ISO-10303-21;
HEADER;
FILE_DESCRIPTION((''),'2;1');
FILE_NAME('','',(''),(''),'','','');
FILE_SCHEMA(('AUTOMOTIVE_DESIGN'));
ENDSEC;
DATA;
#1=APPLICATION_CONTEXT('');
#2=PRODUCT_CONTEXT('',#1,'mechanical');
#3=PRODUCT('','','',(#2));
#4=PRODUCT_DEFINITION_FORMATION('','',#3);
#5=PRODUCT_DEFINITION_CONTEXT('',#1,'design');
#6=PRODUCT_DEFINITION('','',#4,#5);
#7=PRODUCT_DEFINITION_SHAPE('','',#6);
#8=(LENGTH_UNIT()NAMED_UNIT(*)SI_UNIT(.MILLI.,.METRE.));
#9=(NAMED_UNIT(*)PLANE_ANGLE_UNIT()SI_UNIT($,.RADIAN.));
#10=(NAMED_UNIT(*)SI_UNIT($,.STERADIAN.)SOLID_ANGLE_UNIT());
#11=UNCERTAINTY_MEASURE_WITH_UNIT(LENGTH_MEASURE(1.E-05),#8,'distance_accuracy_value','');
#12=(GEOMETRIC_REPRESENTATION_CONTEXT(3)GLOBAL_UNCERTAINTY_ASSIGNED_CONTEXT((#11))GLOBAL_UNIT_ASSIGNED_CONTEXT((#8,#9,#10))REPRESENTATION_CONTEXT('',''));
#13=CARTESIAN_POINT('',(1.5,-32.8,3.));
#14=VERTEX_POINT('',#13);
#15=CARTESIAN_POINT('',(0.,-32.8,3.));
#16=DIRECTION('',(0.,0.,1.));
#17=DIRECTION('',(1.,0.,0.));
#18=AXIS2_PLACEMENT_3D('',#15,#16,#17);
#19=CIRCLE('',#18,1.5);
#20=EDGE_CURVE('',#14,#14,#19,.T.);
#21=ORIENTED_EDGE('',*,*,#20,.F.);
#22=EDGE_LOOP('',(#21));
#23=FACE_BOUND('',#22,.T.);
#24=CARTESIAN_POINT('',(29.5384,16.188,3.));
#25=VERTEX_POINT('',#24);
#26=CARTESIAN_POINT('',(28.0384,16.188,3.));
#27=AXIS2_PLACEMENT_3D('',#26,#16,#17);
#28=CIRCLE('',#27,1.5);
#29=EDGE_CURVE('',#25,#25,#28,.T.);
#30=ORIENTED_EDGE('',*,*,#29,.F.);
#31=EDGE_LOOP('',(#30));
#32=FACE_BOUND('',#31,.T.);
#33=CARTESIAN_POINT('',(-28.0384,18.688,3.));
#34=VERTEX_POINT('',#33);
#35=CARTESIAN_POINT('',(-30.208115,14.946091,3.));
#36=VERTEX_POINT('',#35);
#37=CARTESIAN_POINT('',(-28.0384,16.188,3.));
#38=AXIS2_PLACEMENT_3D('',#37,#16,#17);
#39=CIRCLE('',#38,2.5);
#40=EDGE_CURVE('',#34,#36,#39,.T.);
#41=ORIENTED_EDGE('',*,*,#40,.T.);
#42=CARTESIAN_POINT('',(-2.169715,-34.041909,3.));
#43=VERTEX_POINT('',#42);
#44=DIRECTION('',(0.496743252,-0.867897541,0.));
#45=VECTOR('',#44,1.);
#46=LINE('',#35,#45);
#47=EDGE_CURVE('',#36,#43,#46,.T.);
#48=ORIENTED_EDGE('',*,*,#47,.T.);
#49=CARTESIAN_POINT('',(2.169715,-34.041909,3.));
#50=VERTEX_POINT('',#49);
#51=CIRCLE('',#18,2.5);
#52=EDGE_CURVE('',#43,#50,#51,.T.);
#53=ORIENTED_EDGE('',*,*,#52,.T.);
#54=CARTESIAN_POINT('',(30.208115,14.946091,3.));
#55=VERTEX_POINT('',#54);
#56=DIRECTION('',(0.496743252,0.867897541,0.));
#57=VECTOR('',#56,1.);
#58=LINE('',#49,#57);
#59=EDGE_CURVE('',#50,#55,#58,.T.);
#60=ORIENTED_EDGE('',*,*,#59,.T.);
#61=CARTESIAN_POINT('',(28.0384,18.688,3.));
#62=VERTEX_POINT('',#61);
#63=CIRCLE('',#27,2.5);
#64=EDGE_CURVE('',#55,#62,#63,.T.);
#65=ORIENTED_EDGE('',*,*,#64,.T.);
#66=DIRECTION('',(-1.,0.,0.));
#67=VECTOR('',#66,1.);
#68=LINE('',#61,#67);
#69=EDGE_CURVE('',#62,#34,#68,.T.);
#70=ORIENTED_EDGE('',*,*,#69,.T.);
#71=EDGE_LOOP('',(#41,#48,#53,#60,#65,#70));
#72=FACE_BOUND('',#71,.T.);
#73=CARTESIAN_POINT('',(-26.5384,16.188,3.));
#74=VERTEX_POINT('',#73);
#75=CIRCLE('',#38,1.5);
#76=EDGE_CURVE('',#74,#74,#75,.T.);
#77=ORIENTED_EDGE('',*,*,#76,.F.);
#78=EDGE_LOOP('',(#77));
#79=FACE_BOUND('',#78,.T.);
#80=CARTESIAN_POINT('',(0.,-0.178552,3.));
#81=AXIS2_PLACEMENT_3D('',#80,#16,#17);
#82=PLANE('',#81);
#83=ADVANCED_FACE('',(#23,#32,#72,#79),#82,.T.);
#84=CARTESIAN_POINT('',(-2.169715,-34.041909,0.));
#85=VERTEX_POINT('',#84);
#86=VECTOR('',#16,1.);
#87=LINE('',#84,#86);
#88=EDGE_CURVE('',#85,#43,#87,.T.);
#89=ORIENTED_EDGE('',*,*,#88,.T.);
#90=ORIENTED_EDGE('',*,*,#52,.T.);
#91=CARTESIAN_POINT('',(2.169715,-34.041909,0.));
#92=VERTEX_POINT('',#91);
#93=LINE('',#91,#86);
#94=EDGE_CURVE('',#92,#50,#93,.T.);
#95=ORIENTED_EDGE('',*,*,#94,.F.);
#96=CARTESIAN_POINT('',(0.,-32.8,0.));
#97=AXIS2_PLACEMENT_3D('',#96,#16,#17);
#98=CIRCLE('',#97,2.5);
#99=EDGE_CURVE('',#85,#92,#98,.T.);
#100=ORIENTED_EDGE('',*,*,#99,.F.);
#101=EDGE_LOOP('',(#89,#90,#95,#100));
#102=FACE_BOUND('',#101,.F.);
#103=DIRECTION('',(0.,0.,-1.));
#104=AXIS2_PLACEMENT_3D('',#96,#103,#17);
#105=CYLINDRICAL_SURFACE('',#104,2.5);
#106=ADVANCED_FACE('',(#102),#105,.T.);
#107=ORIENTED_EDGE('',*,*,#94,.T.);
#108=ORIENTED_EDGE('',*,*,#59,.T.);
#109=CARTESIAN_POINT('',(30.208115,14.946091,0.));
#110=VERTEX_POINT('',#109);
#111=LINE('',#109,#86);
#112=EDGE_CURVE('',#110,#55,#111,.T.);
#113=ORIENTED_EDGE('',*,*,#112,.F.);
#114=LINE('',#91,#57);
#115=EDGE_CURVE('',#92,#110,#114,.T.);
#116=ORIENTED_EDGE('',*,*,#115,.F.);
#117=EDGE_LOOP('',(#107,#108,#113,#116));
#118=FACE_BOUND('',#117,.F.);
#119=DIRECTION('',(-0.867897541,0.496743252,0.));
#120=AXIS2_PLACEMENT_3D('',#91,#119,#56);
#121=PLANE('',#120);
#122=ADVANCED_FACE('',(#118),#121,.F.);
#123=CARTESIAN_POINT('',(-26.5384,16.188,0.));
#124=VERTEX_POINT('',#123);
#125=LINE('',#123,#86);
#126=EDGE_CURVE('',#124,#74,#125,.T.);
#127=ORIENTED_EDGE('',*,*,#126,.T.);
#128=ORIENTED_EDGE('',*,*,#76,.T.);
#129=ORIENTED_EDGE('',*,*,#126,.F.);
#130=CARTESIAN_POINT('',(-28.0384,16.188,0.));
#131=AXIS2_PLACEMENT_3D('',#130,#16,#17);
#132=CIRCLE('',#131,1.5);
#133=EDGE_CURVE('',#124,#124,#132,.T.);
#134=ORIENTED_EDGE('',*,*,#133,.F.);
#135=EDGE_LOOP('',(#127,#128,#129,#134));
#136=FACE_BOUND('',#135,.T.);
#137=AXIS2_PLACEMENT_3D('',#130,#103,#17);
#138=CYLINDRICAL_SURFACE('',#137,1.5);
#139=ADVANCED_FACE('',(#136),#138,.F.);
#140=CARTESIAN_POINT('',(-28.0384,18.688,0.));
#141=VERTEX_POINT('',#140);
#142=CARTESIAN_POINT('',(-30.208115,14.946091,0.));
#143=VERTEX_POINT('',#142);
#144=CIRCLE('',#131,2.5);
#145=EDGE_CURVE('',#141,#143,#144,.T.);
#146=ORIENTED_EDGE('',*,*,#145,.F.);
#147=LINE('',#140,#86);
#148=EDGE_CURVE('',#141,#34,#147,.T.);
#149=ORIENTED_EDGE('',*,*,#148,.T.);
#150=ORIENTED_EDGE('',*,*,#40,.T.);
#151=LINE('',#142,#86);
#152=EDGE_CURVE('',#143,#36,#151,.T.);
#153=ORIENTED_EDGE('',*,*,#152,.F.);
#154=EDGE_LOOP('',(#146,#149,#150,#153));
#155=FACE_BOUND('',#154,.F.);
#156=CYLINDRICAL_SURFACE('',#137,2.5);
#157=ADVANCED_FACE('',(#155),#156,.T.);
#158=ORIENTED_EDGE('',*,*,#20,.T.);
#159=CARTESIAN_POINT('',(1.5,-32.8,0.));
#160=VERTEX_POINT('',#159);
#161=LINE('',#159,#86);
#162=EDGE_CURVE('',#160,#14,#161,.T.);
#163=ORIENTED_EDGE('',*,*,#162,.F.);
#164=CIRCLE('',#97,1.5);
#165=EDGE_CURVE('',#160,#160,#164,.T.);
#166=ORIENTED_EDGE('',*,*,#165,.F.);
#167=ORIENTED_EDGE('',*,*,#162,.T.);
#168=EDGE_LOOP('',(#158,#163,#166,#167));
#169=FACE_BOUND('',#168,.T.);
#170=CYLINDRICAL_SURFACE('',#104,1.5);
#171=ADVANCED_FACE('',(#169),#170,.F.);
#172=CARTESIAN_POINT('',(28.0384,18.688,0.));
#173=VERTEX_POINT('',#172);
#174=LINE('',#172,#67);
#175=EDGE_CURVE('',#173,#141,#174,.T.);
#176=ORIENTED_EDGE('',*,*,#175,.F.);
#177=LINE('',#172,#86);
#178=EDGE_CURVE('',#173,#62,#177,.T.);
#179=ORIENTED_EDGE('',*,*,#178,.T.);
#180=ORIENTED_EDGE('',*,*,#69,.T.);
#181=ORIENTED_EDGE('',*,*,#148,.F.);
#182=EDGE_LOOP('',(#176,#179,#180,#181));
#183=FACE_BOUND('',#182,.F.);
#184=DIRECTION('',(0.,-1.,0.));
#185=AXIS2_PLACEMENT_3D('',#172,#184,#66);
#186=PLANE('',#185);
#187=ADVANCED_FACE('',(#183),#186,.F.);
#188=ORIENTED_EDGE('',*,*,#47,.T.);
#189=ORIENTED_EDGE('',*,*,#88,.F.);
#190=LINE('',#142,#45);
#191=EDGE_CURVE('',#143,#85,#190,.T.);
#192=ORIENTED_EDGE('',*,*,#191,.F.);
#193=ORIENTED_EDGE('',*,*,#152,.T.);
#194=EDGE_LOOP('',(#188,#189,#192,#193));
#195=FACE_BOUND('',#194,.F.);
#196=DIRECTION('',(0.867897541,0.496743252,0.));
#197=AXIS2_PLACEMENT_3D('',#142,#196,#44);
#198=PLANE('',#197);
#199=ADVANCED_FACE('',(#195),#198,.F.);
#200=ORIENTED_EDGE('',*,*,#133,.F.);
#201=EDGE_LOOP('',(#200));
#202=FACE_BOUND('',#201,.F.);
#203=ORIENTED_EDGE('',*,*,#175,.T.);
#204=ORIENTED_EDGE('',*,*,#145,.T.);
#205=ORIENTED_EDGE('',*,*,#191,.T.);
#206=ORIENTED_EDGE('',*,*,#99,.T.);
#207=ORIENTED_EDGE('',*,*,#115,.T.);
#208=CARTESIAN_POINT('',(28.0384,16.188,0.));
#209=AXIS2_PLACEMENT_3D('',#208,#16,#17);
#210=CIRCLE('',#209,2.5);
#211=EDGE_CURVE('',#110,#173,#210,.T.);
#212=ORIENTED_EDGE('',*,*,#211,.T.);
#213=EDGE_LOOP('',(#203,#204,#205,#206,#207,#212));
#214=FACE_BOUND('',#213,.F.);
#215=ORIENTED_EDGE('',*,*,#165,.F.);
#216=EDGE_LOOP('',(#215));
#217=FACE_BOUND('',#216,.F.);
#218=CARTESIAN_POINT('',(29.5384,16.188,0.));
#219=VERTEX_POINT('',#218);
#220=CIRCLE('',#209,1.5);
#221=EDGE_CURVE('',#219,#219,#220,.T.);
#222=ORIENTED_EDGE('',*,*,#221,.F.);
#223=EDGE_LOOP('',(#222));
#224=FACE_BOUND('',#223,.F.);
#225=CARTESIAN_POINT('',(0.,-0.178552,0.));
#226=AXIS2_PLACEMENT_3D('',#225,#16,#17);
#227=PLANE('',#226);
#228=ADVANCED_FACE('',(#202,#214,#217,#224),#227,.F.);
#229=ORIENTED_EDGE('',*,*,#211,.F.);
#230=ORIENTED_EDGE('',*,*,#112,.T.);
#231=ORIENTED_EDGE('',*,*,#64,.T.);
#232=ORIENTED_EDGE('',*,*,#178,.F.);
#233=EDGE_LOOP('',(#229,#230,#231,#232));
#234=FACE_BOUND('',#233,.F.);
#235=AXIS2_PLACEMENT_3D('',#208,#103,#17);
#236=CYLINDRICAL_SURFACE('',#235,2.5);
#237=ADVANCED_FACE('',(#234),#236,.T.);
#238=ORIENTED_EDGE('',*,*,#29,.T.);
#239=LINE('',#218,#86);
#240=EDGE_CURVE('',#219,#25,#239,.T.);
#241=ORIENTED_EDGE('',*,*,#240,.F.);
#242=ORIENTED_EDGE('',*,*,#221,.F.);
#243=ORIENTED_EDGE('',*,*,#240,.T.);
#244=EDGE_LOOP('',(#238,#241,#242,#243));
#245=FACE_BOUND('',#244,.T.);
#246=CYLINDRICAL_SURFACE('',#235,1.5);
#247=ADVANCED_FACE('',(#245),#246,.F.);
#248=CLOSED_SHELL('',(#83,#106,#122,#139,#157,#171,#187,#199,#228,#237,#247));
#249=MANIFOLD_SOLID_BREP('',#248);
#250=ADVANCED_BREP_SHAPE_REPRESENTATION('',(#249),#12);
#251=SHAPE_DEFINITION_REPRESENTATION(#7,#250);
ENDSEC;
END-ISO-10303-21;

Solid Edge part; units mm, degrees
sketch "Sketch1" plane through (0, 0, 0) normal (0, 0, 1) x (1, 0, 0)
  circle A0 centre (0, -32.8) radius 1.5
  circle A1 centre (-28.0384, 16.188) radius 1.5
  circle A2 centre (28.0384, 16.188) radius 1.5
  line L0 (-30.2081, 14.9461) -> (-2.1697, -34.0419)
  line L1 (2.1697, -34.0419) -> (30.2081, 14.9461)
  line L2 (28.0384, 18.688) -> (-28.0384, 18.688)
  arc A3 (-28.0384, 18.688) -> (-30.2081, 14.9461) centre (-28.0384, 16.188) ccw
  arc A4 (-2.1697, -34.0419) -> (2.1697, -34.0419) centre (0, -32.8) ccw
  arc A5 (30.2081, 14.9461) -> (28.0384, 18.688) centre (28.0384, 16.188) ccw
extrude "Protrusion1" add sketch "Sketch1" along normal blind 3
